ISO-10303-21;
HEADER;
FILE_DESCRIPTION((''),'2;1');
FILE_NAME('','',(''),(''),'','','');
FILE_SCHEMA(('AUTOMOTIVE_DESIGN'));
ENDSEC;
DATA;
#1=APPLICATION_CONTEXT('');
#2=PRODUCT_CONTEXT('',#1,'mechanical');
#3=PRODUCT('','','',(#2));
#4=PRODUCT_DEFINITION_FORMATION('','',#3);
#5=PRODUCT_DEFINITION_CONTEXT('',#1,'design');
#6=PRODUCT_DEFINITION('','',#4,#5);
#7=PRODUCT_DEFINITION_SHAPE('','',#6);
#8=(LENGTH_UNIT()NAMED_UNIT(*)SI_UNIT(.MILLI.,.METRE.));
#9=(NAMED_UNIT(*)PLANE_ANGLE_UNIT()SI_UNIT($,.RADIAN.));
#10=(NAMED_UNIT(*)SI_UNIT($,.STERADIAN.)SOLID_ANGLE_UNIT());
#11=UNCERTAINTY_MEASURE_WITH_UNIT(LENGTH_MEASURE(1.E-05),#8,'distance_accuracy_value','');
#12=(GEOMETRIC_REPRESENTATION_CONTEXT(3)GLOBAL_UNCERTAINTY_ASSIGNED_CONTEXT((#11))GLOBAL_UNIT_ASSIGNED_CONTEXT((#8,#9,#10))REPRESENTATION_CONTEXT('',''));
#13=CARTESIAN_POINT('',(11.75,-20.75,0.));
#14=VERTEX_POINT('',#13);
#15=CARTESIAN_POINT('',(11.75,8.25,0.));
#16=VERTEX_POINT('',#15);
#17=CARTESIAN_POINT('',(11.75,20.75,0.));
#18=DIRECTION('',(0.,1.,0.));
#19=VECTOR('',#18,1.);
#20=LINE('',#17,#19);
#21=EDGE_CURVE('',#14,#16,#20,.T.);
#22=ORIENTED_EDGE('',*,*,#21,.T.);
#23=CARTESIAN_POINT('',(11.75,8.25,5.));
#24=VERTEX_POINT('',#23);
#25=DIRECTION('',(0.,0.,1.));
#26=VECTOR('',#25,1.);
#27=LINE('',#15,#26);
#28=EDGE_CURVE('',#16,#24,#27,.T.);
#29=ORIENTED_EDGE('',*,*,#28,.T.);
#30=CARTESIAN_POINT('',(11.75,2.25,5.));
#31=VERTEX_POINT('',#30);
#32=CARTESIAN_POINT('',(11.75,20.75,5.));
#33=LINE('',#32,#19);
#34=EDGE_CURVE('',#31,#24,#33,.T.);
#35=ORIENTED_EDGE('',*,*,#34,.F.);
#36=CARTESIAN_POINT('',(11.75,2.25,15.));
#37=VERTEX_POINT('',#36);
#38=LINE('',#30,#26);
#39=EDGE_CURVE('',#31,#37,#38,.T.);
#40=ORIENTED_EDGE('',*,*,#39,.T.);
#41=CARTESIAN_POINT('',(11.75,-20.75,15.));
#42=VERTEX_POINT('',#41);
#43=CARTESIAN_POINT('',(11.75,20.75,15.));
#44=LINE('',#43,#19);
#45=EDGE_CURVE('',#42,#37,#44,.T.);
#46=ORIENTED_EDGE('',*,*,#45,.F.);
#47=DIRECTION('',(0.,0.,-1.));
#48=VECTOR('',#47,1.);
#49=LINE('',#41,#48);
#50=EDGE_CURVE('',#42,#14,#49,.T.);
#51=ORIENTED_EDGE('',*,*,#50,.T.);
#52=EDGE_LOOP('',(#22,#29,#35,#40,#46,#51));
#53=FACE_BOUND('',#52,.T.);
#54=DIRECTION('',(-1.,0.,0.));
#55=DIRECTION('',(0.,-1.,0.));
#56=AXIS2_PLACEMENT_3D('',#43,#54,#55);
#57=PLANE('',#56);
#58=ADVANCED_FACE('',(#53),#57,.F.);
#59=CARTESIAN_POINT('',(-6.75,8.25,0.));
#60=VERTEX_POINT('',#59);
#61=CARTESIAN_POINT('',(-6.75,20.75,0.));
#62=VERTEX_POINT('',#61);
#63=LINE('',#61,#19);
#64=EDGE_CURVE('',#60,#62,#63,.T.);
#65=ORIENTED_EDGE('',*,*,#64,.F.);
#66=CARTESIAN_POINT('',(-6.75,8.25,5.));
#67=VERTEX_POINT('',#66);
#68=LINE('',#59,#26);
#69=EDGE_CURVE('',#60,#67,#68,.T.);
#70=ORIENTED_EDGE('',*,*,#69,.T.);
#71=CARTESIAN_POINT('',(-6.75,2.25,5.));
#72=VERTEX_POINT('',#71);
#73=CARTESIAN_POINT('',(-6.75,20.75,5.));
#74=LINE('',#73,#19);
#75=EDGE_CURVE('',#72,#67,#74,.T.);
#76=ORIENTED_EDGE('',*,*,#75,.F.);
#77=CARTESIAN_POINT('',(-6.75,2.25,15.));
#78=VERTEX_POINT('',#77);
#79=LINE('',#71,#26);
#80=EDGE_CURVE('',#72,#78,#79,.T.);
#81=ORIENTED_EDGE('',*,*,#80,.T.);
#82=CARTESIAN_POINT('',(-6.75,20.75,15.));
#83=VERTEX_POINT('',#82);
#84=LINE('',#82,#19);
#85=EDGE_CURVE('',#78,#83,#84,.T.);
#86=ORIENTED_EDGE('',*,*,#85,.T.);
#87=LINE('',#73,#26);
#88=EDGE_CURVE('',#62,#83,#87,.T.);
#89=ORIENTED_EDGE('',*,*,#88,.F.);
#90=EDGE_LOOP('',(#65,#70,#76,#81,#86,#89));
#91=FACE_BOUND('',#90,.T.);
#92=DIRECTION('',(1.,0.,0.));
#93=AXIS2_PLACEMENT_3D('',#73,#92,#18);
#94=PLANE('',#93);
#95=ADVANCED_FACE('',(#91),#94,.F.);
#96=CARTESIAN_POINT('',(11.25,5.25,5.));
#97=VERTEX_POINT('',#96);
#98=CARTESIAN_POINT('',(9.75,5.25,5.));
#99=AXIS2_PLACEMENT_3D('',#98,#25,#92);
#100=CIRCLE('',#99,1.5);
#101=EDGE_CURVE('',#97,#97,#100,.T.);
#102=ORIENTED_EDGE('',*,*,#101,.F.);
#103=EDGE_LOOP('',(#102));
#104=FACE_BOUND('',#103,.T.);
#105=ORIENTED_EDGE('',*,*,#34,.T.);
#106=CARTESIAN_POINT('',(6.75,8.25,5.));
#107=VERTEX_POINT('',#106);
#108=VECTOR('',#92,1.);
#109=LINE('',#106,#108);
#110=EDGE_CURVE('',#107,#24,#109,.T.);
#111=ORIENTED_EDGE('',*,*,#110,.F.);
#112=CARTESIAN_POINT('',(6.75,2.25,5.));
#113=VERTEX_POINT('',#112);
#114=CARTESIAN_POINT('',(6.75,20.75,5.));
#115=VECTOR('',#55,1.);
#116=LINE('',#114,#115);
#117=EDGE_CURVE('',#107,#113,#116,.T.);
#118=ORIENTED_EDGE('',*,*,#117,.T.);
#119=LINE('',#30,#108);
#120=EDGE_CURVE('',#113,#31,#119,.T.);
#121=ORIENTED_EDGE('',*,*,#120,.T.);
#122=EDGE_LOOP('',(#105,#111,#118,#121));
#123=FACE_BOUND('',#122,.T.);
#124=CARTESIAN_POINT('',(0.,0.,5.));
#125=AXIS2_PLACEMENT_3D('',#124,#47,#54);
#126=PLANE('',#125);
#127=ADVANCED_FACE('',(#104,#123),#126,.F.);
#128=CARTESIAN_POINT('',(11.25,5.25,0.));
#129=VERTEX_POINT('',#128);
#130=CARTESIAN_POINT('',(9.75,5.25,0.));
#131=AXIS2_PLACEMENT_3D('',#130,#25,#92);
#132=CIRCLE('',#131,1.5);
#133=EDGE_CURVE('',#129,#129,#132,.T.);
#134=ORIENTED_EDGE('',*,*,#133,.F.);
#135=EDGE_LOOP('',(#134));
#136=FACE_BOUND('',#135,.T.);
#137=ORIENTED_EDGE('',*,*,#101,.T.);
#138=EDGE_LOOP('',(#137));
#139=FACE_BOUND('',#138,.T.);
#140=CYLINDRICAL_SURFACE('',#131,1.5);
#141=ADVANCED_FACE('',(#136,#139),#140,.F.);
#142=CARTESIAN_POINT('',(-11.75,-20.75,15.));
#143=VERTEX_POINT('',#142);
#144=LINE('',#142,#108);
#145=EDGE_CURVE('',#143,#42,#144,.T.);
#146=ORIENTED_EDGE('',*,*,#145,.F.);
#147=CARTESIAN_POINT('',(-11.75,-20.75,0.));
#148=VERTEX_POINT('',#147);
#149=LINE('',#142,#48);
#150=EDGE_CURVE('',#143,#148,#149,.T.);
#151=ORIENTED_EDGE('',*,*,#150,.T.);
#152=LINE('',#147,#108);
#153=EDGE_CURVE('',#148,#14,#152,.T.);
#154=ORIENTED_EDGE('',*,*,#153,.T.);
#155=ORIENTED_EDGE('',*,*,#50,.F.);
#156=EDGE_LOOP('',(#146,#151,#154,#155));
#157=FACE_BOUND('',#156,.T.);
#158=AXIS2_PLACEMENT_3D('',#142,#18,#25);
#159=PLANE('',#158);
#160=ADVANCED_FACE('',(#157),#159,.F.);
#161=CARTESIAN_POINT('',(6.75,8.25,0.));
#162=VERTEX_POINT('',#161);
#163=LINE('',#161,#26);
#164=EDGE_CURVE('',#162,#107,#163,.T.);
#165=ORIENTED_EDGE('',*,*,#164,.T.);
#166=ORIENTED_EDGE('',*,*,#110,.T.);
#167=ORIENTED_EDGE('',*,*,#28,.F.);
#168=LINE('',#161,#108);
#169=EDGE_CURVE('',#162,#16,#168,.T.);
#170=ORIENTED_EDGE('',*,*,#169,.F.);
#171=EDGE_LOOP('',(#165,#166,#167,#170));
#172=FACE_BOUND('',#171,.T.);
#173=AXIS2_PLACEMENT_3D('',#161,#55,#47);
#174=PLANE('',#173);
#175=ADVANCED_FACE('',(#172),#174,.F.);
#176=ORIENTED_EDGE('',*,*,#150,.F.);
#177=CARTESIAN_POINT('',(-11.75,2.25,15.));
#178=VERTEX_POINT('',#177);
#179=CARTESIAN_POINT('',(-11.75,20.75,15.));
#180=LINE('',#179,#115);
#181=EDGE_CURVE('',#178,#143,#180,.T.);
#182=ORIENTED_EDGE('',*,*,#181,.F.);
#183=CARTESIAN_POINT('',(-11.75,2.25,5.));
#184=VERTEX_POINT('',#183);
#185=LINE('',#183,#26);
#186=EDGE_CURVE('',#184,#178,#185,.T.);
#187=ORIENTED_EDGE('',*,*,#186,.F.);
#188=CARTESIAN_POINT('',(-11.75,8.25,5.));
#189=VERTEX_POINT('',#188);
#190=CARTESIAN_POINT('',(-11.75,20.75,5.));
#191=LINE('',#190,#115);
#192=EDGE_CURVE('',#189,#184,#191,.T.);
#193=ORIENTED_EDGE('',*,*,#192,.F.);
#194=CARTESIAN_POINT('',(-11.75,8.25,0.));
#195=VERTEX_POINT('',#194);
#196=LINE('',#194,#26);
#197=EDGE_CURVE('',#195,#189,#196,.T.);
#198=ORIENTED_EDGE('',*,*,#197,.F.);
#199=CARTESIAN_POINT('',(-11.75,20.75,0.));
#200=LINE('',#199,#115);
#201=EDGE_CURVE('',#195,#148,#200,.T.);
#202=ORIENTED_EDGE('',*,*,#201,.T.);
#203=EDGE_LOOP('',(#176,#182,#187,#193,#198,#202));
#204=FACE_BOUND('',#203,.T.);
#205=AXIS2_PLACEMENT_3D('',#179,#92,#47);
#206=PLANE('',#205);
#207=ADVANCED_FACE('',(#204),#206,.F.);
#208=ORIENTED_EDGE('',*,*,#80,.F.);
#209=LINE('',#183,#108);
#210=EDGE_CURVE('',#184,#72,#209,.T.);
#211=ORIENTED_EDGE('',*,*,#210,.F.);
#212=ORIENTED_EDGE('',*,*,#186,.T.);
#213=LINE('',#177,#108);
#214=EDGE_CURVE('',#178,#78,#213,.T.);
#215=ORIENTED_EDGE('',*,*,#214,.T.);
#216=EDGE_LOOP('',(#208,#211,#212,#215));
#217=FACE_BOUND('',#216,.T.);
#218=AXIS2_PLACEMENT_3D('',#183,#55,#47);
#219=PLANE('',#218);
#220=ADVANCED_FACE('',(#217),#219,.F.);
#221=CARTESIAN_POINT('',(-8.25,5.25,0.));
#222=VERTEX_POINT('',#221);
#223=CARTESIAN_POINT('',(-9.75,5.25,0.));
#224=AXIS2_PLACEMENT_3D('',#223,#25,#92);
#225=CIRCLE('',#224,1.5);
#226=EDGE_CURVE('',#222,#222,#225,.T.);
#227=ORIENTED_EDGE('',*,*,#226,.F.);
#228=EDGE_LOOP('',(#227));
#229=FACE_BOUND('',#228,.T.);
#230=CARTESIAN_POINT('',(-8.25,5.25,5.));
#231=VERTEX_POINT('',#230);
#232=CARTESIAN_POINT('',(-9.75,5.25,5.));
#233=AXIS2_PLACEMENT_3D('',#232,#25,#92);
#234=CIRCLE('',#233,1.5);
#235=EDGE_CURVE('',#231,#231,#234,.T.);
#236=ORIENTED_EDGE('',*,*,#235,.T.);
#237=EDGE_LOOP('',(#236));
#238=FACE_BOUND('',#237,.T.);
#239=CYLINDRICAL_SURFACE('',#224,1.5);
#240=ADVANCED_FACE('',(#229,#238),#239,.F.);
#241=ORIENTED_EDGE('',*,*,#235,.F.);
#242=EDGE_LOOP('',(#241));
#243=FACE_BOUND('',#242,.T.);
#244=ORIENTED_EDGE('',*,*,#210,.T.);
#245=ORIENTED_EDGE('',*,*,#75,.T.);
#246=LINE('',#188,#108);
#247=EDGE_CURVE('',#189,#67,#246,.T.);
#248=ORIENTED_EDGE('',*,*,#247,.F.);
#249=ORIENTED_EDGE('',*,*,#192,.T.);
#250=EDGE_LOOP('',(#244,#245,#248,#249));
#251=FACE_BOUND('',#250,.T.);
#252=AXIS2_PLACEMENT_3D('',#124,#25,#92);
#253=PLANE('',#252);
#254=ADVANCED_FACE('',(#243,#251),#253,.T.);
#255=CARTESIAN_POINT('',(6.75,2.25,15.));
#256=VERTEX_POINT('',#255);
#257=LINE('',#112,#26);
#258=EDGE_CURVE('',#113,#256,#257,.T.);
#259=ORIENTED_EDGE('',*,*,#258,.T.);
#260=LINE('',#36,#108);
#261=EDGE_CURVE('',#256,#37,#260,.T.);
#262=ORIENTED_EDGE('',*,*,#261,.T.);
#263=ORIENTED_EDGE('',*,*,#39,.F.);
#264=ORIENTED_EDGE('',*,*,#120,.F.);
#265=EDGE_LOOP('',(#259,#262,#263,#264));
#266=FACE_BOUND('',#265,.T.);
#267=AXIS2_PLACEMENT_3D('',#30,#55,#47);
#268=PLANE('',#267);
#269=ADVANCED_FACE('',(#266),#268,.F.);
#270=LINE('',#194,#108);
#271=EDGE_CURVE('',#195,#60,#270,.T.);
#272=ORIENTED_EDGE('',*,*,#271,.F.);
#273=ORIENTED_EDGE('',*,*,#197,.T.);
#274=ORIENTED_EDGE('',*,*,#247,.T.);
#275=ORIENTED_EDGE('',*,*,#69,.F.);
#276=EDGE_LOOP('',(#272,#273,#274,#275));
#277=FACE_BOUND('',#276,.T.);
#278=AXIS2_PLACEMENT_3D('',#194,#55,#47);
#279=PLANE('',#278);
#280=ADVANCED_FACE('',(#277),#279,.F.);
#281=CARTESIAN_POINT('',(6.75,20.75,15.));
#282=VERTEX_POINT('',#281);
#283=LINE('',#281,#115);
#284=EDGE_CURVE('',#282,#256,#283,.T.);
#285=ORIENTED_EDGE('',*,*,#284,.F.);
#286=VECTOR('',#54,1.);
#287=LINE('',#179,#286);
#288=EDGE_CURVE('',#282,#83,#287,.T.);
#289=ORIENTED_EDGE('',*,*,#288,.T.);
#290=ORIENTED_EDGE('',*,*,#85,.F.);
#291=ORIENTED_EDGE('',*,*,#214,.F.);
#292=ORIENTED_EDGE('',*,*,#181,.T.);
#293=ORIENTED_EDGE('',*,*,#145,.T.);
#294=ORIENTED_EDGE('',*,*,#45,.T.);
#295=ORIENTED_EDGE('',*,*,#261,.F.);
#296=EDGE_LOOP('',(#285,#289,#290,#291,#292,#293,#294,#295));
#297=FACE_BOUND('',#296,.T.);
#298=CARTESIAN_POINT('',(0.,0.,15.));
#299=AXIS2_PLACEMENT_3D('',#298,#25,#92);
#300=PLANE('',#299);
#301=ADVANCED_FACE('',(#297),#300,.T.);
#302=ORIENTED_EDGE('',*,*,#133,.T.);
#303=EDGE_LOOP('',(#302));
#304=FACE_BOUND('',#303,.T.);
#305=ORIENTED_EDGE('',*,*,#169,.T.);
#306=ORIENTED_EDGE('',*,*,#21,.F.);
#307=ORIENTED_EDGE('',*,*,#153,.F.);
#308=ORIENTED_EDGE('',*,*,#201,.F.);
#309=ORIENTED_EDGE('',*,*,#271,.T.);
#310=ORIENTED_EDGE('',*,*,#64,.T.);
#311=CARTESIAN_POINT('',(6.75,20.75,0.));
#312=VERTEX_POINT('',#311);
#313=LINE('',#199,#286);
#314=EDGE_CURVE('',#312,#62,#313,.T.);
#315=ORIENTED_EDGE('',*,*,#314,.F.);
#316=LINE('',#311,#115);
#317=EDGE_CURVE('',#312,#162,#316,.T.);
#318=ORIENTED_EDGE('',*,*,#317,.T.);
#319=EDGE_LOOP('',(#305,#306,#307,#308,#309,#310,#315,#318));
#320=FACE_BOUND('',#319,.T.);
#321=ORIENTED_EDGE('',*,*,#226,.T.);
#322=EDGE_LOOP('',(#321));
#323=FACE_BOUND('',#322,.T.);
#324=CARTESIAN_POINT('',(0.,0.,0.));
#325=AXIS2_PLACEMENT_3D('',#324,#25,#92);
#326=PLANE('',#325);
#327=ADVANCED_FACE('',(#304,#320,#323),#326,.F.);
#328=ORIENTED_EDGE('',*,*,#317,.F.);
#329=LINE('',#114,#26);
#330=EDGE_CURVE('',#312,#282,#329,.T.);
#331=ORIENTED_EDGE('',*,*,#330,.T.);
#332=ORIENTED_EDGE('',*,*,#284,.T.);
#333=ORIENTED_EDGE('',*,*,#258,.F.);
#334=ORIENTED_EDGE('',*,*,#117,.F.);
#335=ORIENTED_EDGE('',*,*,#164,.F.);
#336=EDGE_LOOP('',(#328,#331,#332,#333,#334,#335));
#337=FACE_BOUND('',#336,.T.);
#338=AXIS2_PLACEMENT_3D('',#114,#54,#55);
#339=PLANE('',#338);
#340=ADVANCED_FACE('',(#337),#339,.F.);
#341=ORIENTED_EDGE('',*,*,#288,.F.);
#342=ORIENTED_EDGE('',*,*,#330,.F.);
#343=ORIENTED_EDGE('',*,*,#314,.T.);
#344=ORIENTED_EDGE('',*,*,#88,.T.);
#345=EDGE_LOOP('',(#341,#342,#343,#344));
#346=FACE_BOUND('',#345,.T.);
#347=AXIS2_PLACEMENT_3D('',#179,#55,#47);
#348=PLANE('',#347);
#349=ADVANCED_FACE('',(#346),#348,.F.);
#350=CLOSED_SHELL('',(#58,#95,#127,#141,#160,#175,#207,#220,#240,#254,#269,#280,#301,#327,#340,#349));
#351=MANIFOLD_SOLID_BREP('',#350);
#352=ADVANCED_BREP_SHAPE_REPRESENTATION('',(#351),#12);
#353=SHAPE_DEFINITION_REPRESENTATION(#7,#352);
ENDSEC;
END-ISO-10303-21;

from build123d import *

# Parameters (mm, degrees)
SKETCH_1_W          = 23.5
SKETCH_1_H          = 41.5
EXTRUDE_1_DEPTH     = 15
SKETCH_2_W          = 5
SKETCH_2_H          = 18.5
CUT_EXTRUDE_1_DEPTH = 10
SKETCH_3_W          = 5
SKETCH_3_H          = 12.5
CUT_EXTRUDE_2_DEPTH = 6
SKETCH_4_R          = 1.5
CUT_EXTRUDE_3_DEPTH = 6


with BuildPart() as part:
    # 草图1 → 凸台-拉伸1 (new body)
    with BuildSketch(Plane.XY):
        Rectangle(SKETCH_1_W, SKETCH_1_H)
    extrude(amount=EXTRUDE_1_DEPTH)

    # 草图2 → 切除-拉伸1 (cut)
    with BuildSketch(Plane.XY.offset(15)):
        with Locations((-9.25, 11.5)):
            Rectangle(SKETCH_2_W, SKETCH_2_H)
        with Locations((9.25, 11.5)):
            Rectangle(SKETCH_2_W, SKETCH_2_H)
    extrude(amount=-CUT_EXTRUDE_1_DEPTH, mode=Mode.SUBTRACT)

    # 草图3 → 切除-拉伸2 (cut, through all)
    with BuildSketch(Plane.XY.offset(5)):
        with Locations((-9.25, 14.5)):
            Rectangle(SKETCH_3_W, SKETCH_3_H)
        with Locations((9.25, 14.5)):
            Rectangle(SKETCH_3_W, SKETCH_3_H)
    extrude(amount=-CUT_EXTRUDE_2_DEPTH, mode=Mode.SUBTRACT)

    # 草图4 → 切除-拉伸3 (cut, through all)
    with BuildSketch(Plane.XY.offset(5)):
        with Locations((-9.75, 5.25)):
            Circle(SKETCH_4_R)
        with Locations((9.75, 5.25)):
            Circle(SKETCH_4_R)
    extrude(amount=-CUT_EXTRUDE_3_DEPTH, mode=Mode.SUBTRACT)


solid = part.part
